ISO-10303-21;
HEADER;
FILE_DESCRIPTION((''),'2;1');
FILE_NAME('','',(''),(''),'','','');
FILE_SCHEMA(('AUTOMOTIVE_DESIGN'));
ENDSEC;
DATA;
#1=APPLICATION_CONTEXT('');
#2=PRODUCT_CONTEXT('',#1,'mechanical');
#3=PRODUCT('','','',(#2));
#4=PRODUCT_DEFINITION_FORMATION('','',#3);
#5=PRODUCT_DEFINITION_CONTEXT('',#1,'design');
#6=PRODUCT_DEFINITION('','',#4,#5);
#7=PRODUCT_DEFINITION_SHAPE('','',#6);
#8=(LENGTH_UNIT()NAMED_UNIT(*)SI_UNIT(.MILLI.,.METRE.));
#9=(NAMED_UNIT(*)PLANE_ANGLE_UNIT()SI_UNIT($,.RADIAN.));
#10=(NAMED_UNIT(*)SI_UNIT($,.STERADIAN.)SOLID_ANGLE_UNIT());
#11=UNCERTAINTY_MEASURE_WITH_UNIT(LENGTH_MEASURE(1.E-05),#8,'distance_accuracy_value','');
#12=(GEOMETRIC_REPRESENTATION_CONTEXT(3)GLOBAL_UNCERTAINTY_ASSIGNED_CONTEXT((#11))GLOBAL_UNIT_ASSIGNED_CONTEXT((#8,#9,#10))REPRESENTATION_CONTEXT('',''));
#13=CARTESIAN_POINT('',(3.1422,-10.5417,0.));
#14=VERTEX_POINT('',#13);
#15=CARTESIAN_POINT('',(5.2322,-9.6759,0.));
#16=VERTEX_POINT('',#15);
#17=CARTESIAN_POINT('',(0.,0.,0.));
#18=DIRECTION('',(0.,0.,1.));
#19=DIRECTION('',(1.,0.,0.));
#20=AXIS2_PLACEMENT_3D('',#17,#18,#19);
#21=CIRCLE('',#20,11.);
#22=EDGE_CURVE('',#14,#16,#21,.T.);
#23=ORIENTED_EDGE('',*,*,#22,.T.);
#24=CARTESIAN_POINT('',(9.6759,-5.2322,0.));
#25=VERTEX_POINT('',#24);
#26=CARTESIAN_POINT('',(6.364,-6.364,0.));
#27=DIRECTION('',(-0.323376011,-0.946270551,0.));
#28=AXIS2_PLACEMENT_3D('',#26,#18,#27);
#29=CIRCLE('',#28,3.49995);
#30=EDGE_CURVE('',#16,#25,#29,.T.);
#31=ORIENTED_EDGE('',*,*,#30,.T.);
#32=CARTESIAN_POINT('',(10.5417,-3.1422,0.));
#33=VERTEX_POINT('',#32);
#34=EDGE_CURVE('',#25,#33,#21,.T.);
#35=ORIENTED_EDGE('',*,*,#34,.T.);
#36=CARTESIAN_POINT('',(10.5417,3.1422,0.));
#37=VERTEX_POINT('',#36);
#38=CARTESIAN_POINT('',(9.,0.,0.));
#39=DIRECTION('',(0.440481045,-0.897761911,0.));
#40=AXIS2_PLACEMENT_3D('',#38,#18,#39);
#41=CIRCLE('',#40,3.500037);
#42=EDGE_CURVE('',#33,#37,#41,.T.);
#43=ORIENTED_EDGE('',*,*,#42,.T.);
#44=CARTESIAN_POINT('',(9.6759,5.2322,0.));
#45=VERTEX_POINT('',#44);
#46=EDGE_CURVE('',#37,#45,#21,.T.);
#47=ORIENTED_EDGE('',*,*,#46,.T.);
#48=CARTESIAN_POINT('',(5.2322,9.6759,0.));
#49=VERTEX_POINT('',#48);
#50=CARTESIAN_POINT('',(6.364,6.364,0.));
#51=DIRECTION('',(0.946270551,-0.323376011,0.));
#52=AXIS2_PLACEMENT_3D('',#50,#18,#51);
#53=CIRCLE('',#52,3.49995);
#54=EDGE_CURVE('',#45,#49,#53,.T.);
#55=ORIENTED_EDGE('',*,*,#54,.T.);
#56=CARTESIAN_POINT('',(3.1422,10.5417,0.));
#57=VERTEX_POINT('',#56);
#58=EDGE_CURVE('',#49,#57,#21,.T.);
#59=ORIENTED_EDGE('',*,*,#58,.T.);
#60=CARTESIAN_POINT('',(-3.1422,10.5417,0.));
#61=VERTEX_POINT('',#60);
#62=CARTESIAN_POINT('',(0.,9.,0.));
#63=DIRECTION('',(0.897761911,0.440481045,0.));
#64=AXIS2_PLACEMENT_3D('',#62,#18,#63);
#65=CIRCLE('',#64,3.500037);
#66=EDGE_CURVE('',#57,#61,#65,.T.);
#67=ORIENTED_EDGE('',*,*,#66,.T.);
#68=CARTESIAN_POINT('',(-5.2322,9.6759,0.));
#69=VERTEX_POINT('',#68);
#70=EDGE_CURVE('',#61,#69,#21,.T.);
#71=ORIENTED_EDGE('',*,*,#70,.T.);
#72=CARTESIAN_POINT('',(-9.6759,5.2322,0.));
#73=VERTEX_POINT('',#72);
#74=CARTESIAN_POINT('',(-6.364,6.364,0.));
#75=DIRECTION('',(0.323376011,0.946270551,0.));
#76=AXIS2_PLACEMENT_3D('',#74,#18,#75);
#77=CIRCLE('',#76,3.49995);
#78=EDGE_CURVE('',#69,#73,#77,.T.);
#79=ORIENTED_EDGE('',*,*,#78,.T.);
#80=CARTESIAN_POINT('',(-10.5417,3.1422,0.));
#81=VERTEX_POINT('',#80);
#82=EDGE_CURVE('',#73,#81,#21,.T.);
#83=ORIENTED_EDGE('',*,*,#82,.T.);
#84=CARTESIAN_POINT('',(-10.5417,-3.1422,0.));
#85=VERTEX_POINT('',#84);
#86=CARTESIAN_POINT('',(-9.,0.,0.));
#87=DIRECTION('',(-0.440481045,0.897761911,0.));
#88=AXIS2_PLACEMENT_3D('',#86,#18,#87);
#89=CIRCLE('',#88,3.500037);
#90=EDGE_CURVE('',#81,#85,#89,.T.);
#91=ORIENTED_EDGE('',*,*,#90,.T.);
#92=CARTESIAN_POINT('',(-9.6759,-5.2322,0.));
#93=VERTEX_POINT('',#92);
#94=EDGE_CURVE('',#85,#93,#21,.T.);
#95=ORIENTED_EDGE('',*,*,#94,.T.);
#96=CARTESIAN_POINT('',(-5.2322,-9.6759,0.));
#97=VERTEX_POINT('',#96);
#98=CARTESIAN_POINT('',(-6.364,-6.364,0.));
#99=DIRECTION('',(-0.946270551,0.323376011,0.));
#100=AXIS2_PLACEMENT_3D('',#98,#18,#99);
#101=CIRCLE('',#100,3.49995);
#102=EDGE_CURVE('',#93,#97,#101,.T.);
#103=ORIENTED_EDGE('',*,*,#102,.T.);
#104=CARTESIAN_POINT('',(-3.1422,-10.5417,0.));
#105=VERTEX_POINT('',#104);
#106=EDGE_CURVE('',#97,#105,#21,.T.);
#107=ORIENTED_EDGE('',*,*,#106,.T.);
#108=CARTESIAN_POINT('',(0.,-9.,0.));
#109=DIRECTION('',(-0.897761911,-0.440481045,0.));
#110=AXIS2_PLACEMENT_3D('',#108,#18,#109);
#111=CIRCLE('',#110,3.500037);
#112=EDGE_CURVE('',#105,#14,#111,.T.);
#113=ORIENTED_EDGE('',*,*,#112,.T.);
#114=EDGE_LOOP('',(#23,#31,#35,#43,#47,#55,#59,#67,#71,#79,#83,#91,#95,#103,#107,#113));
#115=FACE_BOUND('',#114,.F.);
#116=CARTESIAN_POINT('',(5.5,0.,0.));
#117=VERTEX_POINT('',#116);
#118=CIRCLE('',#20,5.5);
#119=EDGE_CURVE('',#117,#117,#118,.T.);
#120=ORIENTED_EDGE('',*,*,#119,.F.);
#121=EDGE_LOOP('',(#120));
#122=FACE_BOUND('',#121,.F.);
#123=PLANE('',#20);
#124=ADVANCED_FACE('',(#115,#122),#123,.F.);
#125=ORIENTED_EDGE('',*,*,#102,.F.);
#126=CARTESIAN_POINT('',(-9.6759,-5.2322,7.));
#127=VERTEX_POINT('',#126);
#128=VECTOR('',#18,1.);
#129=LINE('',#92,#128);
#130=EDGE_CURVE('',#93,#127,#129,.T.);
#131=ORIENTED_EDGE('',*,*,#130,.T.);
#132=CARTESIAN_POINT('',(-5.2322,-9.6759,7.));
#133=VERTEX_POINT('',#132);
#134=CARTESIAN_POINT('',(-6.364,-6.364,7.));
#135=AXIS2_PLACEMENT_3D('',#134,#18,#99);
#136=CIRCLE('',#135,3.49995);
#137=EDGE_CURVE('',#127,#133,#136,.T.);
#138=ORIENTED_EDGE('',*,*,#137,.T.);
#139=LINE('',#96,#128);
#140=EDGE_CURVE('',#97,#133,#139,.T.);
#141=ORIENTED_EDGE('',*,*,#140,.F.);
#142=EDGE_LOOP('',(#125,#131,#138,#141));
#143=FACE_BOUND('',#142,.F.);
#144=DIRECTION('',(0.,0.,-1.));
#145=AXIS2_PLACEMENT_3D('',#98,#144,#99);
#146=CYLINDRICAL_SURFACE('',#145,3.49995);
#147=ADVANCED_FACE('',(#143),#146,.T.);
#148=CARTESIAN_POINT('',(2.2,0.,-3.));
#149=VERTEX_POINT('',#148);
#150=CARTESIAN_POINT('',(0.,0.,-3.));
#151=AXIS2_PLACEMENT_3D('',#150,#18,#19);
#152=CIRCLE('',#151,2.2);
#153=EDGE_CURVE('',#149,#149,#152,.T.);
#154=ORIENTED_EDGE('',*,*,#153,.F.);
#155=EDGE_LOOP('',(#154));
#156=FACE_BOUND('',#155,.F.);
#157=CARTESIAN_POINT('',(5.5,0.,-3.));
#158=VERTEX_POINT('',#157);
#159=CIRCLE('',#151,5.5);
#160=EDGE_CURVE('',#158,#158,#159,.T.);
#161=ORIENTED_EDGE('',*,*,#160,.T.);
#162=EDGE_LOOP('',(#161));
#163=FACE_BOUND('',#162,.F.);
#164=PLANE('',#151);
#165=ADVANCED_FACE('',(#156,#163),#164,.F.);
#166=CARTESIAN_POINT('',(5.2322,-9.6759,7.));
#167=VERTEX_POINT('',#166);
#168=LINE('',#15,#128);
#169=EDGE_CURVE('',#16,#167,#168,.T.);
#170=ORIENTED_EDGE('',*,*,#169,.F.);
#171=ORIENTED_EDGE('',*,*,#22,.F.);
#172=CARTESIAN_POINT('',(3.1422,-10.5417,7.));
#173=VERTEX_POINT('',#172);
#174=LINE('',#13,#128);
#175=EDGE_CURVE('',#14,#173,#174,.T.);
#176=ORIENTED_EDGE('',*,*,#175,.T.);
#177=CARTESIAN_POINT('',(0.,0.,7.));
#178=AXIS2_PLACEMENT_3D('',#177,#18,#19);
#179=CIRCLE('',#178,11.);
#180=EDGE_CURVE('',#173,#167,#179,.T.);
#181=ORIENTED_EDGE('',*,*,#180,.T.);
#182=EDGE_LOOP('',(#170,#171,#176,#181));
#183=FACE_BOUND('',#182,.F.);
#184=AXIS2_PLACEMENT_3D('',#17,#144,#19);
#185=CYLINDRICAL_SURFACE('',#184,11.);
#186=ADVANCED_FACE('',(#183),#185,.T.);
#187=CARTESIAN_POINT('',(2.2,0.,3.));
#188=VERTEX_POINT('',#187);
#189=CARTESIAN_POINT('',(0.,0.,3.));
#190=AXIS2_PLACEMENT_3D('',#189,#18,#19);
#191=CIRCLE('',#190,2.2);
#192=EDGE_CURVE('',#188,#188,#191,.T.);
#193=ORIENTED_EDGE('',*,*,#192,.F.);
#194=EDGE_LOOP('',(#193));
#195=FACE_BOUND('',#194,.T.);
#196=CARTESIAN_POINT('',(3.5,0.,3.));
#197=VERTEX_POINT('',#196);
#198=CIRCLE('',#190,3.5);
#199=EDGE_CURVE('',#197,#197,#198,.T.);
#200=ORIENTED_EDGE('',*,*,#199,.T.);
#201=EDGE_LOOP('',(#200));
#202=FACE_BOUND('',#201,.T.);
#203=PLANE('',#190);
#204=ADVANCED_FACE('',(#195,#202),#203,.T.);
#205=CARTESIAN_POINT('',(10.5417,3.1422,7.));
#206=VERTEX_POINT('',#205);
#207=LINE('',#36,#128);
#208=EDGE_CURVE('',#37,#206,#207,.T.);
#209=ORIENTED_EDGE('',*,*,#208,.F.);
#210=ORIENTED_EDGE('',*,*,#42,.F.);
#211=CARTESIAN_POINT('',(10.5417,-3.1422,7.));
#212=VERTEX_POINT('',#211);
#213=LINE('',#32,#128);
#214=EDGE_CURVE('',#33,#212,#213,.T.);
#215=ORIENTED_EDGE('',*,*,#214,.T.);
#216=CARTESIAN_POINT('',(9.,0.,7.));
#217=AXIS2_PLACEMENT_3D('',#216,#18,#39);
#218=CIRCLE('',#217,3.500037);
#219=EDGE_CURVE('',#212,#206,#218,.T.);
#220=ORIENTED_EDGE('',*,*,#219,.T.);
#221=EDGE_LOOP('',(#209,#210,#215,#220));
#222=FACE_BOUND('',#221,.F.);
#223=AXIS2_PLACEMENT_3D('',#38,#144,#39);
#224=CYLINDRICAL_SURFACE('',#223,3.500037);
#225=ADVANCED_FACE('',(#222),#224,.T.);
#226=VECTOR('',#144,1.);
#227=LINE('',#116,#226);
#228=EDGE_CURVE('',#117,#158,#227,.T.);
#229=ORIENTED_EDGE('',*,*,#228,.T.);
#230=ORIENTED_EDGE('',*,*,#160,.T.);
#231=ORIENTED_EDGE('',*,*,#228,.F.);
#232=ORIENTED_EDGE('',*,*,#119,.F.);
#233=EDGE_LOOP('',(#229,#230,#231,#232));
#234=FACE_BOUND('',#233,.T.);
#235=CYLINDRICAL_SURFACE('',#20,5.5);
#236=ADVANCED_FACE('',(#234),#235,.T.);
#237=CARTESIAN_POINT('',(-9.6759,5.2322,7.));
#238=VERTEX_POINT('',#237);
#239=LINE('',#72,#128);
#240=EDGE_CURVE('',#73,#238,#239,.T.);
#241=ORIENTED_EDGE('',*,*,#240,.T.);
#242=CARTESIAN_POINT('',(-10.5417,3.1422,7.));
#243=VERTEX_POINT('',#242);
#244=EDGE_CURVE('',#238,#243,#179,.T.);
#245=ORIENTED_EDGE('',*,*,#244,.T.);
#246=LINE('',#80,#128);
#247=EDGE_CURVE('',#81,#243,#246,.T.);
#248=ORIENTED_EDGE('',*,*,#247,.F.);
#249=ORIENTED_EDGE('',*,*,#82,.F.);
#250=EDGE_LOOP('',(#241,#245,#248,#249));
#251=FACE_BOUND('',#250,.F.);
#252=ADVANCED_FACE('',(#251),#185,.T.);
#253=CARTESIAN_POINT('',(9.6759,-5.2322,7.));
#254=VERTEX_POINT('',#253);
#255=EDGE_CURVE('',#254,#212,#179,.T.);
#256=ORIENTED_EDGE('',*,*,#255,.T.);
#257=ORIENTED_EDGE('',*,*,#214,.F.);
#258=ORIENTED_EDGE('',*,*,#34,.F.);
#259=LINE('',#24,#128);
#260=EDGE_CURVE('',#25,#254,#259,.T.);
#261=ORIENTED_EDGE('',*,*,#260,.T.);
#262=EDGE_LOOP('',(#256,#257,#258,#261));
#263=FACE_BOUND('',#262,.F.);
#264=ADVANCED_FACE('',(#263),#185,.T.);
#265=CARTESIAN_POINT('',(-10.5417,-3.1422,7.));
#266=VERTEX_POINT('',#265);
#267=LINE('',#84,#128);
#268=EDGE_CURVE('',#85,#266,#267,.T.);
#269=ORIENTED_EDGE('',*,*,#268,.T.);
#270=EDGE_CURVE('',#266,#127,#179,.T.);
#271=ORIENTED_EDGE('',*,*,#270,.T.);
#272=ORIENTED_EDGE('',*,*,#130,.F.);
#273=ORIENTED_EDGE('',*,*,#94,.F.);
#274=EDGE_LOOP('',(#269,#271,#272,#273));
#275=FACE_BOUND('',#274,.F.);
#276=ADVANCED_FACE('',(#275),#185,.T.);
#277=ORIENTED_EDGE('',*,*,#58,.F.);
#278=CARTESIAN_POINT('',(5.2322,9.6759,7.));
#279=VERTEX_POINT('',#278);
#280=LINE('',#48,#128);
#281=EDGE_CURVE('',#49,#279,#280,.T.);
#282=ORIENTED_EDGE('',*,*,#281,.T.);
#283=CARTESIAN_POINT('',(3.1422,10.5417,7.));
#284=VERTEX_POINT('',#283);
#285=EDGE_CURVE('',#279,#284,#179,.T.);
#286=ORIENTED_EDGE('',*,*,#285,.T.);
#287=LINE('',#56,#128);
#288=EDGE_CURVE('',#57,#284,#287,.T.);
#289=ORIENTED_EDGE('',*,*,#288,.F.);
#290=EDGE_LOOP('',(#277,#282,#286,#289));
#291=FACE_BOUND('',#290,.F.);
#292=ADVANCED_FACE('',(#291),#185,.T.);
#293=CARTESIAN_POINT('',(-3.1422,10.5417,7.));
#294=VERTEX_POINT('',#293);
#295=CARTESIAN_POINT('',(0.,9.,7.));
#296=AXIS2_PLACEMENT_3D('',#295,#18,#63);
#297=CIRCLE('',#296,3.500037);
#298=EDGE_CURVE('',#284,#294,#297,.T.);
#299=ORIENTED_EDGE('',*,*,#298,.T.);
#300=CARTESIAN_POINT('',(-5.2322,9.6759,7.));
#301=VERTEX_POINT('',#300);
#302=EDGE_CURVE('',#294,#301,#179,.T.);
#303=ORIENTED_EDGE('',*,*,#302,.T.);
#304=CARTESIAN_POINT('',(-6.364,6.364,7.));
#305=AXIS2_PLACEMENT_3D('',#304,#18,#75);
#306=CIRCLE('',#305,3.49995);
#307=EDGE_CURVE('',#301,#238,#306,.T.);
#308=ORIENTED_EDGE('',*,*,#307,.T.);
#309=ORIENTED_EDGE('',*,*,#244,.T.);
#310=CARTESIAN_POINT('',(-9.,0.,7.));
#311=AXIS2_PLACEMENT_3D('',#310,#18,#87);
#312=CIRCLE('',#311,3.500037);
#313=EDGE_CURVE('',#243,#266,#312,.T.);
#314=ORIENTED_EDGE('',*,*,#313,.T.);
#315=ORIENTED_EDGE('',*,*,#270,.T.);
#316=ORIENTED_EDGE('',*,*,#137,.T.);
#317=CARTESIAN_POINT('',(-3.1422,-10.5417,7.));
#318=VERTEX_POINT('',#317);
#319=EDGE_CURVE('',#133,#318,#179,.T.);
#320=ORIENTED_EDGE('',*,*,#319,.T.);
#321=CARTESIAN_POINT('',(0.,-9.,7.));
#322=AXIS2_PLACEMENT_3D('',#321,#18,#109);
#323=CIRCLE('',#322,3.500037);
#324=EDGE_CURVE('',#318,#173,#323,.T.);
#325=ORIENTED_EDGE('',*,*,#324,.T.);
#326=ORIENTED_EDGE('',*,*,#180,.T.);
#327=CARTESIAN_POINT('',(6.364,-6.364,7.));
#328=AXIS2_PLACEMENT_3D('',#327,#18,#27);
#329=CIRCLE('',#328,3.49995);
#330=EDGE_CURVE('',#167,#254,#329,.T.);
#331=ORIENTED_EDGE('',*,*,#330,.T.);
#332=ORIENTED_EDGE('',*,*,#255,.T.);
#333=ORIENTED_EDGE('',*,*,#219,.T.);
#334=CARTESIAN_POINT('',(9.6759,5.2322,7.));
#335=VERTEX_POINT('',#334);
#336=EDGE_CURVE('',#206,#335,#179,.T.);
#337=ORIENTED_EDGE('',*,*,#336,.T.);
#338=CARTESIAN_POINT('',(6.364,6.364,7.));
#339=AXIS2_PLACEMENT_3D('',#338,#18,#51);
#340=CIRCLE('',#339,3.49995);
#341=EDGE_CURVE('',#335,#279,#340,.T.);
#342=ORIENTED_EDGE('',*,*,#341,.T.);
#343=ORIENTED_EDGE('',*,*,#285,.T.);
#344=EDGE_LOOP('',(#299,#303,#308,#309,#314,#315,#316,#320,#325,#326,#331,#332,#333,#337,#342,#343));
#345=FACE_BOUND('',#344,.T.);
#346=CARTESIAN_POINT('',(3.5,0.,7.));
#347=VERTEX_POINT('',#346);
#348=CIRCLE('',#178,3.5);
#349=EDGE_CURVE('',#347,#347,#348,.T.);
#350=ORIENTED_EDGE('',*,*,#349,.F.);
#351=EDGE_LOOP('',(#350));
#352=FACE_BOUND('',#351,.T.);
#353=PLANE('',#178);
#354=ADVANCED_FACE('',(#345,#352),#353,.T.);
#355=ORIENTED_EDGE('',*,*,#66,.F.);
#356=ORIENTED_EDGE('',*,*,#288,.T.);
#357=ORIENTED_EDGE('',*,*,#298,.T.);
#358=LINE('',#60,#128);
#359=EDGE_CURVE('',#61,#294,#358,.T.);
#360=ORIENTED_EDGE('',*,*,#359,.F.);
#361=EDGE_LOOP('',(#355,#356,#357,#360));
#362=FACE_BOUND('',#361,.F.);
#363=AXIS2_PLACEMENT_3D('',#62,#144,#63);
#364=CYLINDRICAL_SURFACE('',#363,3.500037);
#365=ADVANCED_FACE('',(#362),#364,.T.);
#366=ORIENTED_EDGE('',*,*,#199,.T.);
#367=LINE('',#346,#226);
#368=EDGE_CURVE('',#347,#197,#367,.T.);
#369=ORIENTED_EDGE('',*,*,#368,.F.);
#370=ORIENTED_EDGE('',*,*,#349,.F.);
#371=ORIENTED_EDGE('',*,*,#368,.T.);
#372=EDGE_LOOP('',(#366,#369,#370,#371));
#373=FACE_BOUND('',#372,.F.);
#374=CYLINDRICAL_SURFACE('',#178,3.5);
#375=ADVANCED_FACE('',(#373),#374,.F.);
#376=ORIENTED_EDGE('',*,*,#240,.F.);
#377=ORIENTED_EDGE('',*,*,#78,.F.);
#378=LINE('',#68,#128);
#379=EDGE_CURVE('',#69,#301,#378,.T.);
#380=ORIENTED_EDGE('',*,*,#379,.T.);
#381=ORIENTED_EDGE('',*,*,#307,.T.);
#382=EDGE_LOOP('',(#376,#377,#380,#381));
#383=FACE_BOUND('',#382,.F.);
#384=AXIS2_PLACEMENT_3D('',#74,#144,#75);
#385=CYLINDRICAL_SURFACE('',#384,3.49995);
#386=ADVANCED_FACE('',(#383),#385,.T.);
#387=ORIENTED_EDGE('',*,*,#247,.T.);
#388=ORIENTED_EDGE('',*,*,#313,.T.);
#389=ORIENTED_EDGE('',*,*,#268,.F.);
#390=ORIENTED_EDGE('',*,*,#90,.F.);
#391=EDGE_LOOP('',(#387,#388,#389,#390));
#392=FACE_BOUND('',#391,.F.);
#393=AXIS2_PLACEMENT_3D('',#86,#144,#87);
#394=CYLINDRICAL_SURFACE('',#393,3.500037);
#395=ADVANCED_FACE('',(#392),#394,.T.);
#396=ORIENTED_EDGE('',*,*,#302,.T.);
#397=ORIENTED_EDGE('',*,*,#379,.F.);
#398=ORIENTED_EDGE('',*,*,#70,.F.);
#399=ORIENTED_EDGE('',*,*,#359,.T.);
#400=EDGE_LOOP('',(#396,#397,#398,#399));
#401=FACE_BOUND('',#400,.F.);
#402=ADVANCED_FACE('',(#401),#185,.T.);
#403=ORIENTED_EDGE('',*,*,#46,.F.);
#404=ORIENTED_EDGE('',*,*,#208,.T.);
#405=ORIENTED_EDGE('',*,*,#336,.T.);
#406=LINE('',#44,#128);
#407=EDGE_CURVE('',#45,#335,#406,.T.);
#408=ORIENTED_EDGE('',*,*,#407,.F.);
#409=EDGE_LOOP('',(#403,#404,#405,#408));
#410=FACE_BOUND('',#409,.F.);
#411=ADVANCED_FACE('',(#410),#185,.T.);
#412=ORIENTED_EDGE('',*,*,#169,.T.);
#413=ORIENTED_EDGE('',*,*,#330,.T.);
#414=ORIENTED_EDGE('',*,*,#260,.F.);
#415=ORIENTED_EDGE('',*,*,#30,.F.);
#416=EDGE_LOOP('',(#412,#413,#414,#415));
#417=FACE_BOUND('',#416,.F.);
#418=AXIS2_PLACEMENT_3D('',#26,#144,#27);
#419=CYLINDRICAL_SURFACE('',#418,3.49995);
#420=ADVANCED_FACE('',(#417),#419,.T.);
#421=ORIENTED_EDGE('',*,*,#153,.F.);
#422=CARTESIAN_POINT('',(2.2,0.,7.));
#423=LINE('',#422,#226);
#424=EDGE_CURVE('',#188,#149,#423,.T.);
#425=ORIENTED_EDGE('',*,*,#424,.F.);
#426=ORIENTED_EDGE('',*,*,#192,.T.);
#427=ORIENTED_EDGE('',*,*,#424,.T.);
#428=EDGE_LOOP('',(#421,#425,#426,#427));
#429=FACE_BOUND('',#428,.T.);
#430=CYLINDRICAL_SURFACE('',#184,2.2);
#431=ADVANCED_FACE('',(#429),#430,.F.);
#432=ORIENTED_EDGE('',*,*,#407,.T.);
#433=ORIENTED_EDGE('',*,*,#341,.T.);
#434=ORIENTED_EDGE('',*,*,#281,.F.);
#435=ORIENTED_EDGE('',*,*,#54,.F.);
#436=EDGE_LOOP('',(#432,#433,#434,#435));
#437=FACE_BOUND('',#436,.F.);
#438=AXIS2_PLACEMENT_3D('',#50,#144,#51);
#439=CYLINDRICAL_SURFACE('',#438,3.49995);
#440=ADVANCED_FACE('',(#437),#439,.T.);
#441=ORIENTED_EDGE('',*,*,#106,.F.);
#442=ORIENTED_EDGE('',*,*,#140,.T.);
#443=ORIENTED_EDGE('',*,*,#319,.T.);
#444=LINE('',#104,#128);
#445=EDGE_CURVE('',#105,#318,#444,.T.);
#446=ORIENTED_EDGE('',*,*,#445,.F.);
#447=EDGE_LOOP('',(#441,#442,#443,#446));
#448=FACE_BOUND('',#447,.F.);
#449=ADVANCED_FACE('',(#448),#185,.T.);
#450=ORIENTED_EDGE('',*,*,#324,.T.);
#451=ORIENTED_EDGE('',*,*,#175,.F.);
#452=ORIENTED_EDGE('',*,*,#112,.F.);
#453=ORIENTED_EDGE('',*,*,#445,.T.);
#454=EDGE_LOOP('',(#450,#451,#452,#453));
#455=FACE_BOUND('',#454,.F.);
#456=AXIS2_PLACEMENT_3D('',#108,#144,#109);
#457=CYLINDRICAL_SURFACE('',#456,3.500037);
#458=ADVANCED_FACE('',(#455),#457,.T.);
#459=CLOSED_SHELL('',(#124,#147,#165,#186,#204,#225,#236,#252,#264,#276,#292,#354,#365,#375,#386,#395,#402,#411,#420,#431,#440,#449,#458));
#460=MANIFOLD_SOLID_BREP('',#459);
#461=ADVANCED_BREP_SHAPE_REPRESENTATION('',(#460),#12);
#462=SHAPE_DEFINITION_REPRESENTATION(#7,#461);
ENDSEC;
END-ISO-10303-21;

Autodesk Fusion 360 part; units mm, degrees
sketch "Sketch1" plane through (0, 0, 0) normal (0, 0, 1) x (1, 0, 0) in component "Knob"
  circle A0 centre (0, 0) radius 11
  line L0 (0, 0) -> (0, 9) construction
  arc A1 (3.1422, 10.5417) -> (-3.1422, 10.5417) centre (0, 9) ccw
  arc A2 (-5.2322, 9.6759) -> (-9.6759, 5.2322) centre (-6.364, 6.364) ccw
  arc A3 (-10.5417, 3.1422) -> (-10.5417, -3.1422) centre (-9, 0) ccw
  arc A4 (-9.6759, -5.2322) -> (-5.2322, -9.6759) centre (-6.364, -6.364) ccw
  arc A5 (-3.1422, -10.5417) -> (3.1422, -10.5417) centre (0, -9) ccw
  arc A6 (5.2322, -9.6759) -> (9.6759, -5.2322) centre (6.364, -6.364) ccw
  arc A7 (10.5417, -3.1422) -> (10.5417, 3.1422) centre (9, 0) ccw
  arc A8 (9.6759, 5.2322) -> (5.2322, 9.6759) centre (6.364, 6.364) ccw
  circle A9 centre (0, 0) radius 5.5
  circle A10 centre (0, 0) radius 2.2
  circle A11 centre (0, 0) radius 3.5
  dimension "d1" = 22
  dimension "d2" = 7
  dimension "d4" = 360
  dimension "d5" = 11
  dimension "d6" = 4.4
  dimension "d16" = 7
extrude "Extrude1" add sketch "Sketch1" along normal blind 7 contours A0 | A0 A7 | A0 A8 | A0 A6 | A0 A1 | A0 A5 | A0 A2 | A0 A4 | A0 A3 | A9 | A11 in component "Knob"
extrude "Extrude2" add sketch "Sketch1" against normal blind 3 contours A9 | A11 in component "Knob"
extrude "Extrude3" cut sketch "Sketch1" against normal blind 4 from surface at 7 contours A11 in component "Knob"
component "Knob" placed x (1, 0, 0) y (0, 1, 0) z (0, 0, 1) at (0, 0, 0)
